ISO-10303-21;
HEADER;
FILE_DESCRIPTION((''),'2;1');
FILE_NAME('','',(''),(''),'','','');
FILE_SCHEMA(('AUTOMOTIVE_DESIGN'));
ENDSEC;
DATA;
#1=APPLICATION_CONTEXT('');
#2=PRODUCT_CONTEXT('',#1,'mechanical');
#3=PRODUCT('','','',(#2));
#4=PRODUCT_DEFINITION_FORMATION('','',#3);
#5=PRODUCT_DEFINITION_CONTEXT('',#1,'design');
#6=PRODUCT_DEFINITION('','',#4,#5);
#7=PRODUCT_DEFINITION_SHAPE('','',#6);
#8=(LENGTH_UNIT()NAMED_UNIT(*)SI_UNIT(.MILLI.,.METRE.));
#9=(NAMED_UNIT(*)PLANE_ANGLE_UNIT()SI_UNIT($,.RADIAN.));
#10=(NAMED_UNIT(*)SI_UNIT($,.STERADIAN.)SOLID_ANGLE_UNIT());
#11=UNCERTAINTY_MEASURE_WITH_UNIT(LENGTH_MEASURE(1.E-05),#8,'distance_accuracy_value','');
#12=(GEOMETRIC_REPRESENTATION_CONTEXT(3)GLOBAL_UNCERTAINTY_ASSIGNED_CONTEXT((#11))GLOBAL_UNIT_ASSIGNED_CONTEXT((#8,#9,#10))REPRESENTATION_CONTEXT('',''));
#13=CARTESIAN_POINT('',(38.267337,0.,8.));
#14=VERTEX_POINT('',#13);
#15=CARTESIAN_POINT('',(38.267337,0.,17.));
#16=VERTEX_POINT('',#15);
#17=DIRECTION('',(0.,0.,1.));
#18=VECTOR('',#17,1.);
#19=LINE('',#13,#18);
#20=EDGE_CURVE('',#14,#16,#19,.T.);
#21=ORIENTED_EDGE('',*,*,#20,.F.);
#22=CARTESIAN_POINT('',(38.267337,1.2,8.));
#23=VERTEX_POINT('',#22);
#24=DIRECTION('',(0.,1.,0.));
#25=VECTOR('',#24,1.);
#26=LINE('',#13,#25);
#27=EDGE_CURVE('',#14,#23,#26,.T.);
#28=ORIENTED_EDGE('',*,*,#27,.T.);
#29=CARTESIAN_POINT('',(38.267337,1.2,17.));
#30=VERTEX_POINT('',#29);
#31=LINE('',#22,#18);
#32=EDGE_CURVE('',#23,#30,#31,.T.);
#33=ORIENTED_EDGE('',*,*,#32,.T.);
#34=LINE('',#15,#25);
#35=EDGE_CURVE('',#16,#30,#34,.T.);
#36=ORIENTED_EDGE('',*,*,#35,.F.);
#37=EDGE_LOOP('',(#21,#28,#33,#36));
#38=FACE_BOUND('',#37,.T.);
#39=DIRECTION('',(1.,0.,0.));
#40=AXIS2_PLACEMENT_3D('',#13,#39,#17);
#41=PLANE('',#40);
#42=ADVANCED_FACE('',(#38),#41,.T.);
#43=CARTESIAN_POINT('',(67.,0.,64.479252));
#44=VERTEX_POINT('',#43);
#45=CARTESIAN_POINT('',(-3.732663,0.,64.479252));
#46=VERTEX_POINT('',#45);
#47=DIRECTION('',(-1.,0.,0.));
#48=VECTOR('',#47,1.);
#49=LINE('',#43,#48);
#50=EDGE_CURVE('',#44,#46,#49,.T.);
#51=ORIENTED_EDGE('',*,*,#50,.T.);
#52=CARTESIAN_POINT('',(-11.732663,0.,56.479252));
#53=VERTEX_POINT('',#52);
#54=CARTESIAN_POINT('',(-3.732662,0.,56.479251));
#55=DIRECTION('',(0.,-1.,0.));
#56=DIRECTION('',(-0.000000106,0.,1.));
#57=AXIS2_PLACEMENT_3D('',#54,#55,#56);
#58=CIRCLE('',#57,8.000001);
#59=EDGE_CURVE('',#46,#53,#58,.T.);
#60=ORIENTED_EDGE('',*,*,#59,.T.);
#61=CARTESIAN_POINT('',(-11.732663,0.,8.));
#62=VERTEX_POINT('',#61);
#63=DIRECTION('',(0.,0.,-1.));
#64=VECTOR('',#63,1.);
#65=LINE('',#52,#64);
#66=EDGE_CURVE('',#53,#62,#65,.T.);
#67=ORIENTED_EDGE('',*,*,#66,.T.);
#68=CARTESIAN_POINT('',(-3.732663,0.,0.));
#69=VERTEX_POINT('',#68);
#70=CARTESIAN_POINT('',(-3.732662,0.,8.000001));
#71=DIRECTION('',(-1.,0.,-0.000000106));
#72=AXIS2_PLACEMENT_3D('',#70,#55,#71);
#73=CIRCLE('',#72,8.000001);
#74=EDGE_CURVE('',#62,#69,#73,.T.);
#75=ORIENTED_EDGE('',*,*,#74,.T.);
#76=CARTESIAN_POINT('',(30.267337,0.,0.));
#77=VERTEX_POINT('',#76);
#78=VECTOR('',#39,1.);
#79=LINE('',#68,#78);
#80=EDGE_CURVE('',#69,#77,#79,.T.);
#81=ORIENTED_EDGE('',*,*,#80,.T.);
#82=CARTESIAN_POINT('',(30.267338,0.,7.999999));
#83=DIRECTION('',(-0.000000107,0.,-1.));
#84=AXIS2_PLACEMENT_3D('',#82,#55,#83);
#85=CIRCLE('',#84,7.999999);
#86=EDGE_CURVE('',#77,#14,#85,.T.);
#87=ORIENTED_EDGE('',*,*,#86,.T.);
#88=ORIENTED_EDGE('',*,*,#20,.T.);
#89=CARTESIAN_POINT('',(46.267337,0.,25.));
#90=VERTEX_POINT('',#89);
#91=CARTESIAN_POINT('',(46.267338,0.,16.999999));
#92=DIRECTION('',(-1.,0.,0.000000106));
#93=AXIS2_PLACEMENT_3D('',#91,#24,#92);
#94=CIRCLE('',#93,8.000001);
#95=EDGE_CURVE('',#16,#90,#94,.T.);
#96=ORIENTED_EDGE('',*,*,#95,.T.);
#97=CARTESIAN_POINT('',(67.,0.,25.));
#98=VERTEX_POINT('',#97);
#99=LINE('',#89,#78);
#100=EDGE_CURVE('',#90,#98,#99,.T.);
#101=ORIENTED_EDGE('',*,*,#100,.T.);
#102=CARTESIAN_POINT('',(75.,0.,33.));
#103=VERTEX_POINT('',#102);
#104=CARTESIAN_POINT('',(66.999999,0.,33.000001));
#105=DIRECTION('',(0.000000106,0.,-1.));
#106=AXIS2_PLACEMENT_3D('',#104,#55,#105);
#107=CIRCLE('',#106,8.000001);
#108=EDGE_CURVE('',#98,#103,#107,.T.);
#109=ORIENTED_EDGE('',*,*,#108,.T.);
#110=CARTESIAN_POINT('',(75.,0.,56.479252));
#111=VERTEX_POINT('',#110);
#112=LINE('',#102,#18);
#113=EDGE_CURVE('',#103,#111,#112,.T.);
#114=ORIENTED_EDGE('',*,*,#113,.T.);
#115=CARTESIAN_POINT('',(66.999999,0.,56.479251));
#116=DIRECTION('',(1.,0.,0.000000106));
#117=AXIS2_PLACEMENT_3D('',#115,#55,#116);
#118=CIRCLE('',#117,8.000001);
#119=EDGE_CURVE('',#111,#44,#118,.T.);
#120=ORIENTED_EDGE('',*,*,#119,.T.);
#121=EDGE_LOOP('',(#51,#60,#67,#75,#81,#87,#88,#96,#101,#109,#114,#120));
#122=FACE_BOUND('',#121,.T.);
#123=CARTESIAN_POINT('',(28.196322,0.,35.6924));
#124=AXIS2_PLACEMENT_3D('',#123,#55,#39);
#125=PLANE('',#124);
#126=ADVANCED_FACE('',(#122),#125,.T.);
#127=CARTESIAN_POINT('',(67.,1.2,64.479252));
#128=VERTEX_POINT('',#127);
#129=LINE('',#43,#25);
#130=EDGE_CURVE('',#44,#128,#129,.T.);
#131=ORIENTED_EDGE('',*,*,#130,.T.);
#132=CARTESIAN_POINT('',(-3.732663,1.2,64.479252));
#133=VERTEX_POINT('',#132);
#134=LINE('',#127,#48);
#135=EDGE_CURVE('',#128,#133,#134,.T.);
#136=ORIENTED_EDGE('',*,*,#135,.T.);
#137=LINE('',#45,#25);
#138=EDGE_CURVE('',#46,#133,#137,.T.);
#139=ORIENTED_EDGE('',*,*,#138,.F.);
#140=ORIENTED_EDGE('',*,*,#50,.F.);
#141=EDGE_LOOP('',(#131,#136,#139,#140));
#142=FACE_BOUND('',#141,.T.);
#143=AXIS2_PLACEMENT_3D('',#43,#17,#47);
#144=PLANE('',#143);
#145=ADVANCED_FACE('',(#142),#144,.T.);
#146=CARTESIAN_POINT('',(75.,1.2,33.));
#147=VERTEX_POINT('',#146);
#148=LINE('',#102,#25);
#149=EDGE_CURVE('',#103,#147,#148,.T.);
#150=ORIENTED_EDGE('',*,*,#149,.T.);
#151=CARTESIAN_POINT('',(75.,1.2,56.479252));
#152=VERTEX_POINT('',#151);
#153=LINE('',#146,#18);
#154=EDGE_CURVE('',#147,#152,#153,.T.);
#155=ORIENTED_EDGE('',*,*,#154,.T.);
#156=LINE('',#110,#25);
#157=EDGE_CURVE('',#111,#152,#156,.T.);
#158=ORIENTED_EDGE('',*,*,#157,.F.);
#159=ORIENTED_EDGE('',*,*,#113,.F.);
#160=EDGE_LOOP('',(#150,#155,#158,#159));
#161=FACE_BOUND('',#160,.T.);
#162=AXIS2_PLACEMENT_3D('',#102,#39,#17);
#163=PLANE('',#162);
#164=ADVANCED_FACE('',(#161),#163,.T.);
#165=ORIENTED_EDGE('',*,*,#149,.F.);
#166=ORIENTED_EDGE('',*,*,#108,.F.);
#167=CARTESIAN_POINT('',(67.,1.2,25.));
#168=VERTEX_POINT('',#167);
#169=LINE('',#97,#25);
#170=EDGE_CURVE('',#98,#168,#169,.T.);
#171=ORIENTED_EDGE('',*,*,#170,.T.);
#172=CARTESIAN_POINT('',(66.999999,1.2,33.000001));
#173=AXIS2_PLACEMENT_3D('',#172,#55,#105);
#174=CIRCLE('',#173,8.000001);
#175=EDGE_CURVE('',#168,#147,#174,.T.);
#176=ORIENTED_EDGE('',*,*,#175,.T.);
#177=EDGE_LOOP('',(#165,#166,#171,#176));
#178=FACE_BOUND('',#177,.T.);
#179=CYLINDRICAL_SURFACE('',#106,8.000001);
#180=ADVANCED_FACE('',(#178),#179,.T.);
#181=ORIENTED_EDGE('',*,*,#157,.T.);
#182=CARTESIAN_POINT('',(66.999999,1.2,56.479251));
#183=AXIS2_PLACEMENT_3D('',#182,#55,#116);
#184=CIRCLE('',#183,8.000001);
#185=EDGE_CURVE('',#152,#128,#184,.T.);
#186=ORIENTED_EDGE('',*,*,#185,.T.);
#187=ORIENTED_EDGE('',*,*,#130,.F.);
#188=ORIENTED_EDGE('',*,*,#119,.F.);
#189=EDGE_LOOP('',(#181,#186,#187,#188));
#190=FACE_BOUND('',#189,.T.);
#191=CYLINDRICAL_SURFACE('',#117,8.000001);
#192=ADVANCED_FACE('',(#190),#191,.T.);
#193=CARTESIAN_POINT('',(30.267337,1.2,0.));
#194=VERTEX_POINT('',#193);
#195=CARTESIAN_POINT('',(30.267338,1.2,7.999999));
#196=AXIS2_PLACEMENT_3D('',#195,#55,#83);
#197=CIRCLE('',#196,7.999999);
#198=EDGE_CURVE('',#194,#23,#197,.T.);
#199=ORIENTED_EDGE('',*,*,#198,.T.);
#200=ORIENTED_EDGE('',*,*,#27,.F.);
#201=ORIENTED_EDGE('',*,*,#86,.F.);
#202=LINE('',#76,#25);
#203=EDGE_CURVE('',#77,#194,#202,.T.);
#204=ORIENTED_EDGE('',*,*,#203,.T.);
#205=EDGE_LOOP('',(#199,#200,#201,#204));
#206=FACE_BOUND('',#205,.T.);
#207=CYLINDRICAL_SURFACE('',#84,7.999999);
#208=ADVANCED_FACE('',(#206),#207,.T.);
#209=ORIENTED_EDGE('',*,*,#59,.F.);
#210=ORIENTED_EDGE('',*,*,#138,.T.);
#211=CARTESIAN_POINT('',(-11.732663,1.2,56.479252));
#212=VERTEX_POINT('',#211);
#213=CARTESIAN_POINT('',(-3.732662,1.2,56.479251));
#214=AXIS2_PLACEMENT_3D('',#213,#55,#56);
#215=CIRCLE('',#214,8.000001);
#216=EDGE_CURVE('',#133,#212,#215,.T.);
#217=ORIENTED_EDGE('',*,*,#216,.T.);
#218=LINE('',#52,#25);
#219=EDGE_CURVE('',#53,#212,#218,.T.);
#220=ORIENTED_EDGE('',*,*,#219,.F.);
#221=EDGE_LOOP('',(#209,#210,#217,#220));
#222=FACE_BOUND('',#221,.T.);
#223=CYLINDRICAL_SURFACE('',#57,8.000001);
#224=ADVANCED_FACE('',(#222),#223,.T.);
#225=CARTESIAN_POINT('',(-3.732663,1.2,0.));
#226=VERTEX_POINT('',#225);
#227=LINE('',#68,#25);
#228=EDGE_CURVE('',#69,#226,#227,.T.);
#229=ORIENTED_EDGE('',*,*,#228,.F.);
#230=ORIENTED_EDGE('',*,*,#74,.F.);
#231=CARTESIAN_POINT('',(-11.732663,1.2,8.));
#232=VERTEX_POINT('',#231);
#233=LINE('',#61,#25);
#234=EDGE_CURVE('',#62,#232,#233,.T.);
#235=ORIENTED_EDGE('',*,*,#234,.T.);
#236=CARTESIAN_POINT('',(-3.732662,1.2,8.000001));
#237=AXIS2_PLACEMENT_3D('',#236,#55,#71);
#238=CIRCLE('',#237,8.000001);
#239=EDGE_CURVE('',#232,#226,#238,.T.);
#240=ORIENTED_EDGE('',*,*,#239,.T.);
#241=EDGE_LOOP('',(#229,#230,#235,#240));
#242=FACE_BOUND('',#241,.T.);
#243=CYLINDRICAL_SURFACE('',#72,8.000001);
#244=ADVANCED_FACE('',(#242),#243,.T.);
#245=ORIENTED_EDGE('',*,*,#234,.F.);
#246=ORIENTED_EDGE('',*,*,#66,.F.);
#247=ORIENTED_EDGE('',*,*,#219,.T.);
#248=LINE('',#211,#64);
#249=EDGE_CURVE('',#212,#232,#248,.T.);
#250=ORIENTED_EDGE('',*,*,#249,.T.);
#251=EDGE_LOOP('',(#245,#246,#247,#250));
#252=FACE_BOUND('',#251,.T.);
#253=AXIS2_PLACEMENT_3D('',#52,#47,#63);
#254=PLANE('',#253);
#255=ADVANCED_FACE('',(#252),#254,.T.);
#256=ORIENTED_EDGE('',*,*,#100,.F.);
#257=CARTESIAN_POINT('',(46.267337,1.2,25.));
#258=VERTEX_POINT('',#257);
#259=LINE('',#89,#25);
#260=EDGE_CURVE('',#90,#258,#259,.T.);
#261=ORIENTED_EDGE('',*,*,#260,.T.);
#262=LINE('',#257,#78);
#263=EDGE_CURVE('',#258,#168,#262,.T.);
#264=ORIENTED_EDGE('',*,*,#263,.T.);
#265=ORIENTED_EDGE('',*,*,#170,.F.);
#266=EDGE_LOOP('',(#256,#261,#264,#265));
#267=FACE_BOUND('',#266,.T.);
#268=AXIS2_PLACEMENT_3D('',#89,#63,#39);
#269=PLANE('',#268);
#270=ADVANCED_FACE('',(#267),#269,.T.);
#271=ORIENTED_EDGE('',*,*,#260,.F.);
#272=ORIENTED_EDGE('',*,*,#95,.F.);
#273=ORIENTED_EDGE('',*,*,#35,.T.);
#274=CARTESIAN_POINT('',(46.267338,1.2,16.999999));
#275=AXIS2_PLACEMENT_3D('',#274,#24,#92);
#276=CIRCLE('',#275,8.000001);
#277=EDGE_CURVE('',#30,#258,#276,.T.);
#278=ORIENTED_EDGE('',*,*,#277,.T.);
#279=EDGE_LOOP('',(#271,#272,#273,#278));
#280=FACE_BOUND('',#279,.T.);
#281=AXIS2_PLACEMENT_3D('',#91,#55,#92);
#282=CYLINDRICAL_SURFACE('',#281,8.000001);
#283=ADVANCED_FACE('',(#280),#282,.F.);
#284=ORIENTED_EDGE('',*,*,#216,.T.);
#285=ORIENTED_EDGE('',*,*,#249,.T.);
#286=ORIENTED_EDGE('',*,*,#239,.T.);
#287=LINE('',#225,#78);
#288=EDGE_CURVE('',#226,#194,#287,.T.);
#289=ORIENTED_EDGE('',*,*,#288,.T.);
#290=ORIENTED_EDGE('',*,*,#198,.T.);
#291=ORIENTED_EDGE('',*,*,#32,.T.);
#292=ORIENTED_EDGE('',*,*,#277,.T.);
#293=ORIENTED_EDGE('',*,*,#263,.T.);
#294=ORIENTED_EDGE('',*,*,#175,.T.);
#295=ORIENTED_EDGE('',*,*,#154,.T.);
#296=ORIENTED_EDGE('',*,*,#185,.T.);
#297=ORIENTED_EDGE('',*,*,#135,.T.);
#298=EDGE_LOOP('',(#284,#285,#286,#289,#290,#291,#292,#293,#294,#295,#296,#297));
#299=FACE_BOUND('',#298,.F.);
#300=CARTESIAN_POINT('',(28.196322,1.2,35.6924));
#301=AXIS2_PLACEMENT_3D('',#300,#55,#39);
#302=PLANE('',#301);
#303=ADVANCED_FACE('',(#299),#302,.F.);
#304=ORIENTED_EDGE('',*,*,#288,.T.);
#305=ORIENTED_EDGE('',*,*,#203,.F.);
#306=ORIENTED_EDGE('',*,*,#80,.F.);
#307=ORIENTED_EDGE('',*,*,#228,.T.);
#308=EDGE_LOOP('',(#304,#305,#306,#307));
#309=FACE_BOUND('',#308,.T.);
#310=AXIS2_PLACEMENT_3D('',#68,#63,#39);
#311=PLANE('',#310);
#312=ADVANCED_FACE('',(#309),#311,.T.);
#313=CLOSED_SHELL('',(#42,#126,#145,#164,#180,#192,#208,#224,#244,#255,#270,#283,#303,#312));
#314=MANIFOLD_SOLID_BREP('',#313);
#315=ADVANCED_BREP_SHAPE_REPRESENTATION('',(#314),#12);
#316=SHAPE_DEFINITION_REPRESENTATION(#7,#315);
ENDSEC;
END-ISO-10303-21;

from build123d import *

# Parameters (mm, degrees)
F1_DEPTH = 1.2


with BuildPart() as f1:
    # F0 (on Front) → F1 (new body)
    with BuildSketch(Plane.XZ):
        with BuildLine():
            Line((-3.732663, 0), (0, 0))
            Line((0, 0), (30.267337, 0))
            ThreePointArc((30.267337, 0), (35.924192, 2.343146), (38.267337, 8))
            Line((38.267337, 8), (38.267337, 17))
            ThreePointArc((38.267337, 17), (40.610483, 22.656854), (46.267337, 25))
            Line((46.267337, 25), (67, 25))
            ThreePointArc((67, 25), (72.656854, 27.343146), (75, 33))
            Line((75, 33), (75, 50))
            Line((75, 50), (75, 56.479252))
            ThreePointArc((75, 56.479252), (72.656854, 62.136106), (67, 64.479252))
            Line((67, 64.479252), (-3.732663, 64.479252))
            ThreePointArc((-3.732663, 64.479252), (-9.389517, 62.136106), (-11.732663, 56.479252))
            Line((-11.732663, 56.479252), (-11.732663, 8))
            ThreePointArc((-11.732663, 8), (-9.389517, 2.343146), (-3.732663, 0))
        make_face()
    extrude(amount=-F1_DEPTH)


solid = f1.part
